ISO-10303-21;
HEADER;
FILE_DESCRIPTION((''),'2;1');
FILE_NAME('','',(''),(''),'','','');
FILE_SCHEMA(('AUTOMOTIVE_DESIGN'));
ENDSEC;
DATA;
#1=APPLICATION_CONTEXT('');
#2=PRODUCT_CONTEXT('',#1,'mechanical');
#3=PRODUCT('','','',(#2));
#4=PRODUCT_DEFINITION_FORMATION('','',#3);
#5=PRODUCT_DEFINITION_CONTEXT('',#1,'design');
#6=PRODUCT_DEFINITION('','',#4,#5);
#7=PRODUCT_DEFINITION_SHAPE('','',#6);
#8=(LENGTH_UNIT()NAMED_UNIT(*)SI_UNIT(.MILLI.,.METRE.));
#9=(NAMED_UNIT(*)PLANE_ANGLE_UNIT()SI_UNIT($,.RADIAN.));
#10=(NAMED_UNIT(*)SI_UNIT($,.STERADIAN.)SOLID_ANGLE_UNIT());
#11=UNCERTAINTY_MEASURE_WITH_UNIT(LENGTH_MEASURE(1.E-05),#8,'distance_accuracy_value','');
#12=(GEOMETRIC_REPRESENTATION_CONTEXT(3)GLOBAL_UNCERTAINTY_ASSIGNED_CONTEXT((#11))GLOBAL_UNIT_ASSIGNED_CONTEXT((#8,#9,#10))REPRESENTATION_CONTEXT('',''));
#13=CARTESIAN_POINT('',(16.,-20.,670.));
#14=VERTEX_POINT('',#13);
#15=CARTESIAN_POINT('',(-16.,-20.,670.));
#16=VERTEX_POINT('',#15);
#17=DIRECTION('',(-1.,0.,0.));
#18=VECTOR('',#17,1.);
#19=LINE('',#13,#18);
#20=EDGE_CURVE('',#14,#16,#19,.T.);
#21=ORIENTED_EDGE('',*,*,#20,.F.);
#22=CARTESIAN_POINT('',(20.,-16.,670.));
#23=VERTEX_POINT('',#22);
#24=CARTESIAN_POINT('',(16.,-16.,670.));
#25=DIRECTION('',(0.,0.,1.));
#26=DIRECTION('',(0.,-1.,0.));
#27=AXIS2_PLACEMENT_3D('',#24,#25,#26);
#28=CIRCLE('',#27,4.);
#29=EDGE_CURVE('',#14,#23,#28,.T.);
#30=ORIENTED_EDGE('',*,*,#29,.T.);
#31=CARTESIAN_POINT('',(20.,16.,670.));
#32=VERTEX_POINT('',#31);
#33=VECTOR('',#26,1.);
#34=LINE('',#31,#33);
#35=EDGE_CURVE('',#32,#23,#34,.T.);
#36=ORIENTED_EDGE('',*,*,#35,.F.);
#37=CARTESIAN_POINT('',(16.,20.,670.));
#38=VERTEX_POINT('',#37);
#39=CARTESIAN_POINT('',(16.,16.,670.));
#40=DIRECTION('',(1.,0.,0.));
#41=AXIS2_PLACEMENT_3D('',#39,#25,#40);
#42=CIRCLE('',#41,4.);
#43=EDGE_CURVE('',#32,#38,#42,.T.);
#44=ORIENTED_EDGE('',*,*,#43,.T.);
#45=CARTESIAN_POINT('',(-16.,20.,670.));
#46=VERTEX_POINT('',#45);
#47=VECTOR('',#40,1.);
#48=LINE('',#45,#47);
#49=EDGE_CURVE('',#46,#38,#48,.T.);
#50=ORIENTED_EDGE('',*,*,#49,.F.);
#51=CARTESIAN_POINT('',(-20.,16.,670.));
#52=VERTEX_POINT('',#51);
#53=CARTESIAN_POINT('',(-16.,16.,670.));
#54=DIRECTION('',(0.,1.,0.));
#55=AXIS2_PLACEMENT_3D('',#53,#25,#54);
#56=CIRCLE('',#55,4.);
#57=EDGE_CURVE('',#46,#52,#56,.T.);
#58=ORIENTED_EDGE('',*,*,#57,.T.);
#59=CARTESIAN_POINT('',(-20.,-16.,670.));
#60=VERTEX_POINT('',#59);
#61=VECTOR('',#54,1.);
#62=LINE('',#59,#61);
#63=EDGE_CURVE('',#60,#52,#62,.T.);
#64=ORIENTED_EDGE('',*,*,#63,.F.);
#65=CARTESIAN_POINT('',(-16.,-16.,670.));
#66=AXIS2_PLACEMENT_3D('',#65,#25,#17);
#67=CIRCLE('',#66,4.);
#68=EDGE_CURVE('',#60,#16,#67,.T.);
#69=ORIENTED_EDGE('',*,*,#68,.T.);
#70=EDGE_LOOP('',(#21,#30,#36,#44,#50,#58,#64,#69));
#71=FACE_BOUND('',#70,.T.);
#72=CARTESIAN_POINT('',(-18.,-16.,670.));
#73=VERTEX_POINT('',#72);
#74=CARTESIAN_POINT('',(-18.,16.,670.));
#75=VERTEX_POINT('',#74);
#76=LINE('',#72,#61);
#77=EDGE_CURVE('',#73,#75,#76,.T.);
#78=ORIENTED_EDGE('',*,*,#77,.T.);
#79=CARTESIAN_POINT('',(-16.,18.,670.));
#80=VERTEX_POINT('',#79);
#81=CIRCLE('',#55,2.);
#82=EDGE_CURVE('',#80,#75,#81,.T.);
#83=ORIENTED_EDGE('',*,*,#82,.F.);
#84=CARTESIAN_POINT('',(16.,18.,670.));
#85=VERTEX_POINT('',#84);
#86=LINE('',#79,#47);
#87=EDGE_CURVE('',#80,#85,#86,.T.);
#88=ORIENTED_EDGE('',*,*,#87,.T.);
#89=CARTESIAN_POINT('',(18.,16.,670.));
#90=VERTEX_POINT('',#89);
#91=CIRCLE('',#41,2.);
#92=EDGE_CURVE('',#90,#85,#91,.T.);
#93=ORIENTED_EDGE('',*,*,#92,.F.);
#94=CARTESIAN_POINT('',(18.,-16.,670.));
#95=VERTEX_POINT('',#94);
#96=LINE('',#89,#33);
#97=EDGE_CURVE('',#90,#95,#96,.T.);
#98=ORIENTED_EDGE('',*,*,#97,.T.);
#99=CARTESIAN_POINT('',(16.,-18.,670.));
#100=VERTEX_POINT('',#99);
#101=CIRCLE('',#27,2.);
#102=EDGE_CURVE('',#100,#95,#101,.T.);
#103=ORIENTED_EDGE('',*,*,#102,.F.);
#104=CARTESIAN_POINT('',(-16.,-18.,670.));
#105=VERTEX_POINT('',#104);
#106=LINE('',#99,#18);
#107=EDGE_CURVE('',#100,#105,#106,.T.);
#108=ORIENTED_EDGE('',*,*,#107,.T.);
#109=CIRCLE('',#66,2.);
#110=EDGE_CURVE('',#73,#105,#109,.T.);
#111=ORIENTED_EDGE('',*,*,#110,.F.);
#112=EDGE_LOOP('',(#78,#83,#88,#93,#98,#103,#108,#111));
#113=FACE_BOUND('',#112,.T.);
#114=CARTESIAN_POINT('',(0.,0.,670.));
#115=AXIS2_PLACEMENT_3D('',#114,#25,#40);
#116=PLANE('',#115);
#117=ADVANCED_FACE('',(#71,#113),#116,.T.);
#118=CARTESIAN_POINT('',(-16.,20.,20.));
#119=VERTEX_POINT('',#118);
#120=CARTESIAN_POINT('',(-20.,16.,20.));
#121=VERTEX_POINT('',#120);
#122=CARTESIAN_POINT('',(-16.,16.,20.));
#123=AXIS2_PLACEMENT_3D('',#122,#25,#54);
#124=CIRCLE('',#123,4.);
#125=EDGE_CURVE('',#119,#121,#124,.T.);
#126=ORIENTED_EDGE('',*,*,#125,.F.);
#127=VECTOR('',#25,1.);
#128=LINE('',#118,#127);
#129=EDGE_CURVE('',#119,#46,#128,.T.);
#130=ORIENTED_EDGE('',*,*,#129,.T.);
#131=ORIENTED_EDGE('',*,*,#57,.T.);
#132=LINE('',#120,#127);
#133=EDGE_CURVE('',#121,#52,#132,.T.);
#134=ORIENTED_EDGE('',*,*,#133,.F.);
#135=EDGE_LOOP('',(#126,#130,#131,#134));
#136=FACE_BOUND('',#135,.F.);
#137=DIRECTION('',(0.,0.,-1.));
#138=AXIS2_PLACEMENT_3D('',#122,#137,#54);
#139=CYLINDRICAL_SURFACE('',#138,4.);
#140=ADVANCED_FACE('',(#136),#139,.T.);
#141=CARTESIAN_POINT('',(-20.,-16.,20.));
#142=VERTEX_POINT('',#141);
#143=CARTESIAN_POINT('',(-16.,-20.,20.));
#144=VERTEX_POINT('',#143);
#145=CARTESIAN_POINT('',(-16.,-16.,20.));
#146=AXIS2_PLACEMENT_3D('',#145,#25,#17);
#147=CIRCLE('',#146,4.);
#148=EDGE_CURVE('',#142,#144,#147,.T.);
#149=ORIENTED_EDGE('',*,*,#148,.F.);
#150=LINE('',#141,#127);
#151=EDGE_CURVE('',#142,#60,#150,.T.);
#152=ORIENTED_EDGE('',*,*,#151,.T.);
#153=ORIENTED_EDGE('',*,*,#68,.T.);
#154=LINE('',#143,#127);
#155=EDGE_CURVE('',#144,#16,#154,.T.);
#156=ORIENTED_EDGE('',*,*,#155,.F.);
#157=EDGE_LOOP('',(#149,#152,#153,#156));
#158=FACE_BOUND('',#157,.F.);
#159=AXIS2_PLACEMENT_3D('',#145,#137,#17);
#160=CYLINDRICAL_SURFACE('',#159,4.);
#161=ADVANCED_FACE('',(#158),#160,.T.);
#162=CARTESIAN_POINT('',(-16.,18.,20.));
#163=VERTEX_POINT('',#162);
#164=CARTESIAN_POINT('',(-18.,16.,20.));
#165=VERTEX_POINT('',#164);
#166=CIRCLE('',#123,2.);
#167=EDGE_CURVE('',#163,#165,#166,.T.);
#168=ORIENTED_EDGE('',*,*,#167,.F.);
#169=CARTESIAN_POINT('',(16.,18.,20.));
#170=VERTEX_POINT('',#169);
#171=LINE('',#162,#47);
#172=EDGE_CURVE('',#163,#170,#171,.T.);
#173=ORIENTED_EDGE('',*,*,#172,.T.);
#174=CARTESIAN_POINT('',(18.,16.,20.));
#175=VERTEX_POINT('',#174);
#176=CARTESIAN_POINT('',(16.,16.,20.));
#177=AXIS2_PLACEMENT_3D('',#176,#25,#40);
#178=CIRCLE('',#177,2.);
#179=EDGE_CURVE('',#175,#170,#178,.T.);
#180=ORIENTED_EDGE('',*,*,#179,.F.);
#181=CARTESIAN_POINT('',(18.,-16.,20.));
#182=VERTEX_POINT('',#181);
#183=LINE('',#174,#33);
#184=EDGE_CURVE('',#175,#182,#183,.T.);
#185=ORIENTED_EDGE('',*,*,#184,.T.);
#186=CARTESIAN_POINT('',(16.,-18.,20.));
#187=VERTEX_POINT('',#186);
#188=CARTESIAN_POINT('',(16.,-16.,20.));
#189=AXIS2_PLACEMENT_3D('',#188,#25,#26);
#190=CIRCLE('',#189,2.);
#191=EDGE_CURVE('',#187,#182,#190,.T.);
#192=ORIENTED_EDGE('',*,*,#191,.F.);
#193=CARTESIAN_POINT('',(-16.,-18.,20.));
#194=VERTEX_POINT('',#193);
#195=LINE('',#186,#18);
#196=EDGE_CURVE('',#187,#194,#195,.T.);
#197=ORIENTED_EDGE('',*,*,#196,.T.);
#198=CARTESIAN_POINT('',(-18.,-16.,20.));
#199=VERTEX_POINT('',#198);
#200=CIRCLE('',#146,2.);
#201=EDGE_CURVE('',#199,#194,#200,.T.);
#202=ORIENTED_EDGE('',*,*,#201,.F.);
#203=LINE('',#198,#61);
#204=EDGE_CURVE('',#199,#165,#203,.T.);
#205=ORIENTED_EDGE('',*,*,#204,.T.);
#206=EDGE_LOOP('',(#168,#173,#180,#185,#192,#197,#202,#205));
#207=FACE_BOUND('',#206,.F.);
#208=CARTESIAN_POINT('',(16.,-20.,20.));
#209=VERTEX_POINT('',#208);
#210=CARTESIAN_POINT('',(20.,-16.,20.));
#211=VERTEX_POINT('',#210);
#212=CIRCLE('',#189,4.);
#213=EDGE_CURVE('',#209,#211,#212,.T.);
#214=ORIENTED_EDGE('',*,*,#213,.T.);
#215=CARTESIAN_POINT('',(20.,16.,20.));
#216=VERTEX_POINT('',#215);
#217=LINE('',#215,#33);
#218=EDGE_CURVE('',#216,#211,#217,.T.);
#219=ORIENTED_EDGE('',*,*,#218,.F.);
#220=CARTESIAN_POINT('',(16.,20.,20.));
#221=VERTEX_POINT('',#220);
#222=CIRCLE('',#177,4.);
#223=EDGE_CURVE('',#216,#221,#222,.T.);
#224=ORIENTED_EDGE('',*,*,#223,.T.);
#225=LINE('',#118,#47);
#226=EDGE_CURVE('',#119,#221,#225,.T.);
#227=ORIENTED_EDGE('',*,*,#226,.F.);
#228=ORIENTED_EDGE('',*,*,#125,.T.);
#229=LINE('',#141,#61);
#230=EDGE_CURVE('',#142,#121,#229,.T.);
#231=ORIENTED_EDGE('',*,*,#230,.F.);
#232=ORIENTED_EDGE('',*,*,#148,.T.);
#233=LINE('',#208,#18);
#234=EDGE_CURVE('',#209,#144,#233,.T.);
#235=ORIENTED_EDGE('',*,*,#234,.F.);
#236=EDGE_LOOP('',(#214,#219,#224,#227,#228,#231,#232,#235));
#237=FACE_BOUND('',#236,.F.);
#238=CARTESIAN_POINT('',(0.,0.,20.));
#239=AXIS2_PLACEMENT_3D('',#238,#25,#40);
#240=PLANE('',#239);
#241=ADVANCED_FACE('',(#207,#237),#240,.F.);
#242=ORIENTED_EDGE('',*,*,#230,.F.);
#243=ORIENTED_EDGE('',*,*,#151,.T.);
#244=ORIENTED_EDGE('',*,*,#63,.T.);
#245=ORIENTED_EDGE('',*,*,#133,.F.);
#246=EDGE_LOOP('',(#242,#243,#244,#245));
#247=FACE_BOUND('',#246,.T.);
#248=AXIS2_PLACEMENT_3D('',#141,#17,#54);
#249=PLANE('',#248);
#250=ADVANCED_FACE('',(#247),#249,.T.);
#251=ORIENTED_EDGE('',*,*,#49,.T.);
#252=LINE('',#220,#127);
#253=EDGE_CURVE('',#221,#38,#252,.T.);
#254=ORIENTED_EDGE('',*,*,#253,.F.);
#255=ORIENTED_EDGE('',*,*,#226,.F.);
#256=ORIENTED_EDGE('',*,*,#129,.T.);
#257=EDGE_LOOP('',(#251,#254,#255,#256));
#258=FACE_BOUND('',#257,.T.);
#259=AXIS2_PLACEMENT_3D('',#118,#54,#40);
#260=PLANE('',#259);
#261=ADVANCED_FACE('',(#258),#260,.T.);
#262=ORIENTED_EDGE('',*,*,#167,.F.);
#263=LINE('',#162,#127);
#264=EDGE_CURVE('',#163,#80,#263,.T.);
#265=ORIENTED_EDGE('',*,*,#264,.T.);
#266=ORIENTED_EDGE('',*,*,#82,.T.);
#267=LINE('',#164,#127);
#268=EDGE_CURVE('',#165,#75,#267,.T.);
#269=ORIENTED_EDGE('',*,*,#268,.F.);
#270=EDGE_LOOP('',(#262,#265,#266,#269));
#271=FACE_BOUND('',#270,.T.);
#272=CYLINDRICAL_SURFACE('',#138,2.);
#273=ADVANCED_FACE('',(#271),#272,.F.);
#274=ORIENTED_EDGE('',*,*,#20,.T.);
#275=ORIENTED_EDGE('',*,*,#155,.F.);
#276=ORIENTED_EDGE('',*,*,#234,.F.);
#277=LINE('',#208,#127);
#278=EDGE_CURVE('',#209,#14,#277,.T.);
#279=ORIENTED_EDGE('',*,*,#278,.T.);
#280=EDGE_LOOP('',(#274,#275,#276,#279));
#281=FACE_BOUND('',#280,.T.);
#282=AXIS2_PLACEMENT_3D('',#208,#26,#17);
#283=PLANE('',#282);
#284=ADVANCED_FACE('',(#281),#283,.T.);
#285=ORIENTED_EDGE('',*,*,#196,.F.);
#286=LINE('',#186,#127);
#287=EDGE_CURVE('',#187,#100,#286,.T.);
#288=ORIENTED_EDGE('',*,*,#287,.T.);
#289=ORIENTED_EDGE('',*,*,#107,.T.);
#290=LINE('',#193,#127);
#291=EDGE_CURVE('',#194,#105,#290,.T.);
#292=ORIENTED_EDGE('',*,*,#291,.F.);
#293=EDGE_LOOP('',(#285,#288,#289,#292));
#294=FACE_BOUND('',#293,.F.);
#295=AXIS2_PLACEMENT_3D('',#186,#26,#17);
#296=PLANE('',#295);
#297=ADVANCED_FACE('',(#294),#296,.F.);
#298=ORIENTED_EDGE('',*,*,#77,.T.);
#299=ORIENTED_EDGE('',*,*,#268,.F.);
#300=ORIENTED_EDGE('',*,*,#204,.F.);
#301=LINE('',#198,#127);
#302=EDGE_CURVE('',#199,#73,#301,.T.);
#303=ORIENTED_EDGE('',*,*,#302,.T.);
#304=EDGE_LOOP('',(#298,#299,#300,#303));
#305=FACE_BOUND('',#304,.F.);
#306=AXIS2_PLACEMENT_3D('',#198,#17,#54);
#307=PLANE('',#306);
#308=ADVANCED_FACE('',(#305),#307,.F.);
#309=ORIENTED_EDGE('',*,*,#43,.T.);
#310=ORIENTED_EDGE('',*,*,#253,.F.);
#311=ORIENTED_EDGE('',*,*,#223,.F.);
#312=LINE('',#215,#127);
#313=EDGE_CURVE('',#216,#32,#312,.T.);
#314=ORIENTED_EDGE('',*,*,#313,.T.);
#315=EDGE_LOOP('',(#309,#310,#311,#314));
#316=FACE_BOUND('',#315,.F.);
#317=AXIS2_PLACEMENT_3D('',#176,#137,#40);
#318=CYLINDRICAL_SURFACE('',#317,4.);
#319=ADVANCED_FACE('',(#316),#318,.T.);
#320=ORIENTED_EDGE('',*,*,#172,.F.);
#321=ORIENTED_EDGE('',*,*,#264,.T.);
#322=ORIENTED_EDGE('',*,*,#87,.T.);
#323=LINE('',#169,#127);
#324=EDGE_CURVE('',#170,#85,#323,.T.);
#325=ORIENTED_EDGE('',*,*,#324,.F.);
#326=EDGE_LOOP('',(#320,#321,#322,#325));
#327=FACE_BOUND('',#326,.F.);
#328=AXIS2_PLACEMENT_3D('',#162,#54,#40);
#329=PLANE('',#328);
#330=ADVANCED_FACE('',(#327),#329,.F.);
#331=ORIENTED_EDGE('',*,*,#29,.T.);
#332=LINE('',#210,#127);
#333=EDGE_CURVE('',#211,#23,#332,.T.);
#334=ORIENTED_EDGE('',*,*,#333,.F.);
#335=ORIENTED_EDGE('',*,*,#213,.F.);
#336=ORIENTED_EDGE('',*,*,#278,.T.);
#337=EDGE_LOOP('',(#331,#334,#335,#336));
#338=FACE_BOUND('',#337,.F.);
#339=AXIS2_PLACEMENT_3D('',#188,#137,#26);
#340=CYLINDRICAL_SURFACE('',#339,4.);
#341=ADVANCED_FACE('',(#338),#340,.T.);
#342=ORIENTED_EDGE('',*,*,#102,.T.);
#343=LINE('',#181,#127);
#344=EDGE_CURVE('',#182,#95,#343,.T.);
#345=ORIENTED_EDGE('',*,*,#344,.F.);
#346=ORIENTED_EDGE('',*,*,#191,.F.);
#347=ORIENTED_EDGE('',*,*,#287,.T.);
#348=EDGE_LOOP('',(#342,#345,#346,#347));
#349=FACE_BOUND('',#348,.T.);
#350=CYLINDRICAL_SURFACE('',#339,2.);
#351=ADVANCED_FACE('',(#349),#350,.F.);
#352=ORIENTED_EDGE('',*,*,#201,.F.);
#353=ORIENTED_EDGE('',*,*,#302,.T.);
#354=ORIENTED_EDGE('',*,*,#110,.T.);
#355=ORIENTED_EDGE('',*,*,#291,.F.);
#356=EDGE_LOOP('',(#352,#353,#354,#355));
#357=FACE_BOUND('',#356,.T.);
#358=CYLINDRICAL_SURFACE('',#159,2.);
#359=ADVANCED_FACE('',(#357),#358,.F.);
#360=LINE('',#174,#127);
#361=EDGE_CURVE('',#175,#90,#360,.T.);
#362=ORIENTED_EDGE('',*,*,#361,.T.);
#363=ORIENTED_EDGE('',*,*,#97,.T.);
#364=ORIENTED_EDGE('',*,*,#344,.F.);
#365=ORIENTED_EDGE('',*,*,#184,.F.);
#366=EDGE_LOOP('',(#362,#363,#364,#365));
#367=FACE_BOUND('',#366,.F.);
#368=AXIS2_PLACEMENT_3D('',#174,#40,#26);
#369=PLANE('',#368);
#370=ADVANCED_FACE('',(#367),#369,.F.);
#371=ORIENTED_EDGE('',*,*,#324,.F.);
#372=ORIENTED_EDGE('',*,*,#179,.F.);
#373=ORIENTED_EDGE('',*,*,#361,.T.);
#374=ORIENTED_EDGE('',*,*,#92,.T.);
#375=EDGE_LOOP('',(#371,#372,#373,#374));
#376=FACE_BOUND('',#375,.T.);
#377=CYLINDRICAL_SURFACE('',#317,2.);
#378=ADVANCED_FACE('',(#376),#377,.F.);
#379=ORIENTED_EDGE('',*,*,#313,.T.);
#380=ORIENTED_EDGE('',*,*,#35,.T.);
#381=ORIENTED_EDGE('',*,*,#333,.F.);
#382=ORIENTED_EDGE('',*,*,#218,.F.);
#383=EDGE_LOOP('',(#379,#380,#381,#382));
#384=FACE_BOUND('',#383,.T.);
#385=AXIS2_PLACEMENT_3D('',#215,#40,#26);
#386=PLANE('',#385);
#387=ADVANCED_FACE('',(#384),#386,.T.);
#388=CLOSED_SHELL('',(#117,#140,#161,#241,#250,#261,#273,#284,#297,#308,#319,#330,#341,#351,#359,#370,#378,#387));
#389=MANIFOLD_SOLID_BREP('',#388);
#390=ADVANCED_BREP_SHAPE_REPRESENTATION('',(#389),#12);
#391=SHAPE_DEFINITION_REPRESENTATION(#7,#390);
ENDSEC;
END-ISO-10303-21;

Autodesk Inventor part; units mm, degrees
ref_plane "YZ Plane" through (0, 0, 0) normal (1, 0, 0) x (0, 1, 0)
ref_plane "Start Plane" through (0, 0, 20) normal (0, 0, 1) x (1, 0, 0)
ref_plane "End Plane" through (0, 0, 670) normal (0, 0, 1) x (1, 0, 0)
sketch "Sketch" plane through (0, 0, 0) normal (0, 0, 1) x (1, 0, 0)
  line L0 (-20, -16) -> (-20, 16)
  line L1 (-16, 20) -> (16, 20)
  line L2 (20, 16) -> (20, -16)
  line L3 (16, -20) -> (-16, -20)
  arc A0 (-20, -16) -> (-16, -20) centre (-16, -16) ccw
  arc A1 (20, 16) -> (16, 20) centre (16, 16) ccw
  arc A2 (-16, 20) -> (-20, 16) centre (-16, 16) ccw
  arc A3 (16, -20) -> (20, -16) centre (16, -16) ccw
  arc A4 (-16, 18) -> (-18, 16) centre (-16, 16) ccw
  line L4 (-16, 18) -> (16, 18)
  arc A5 (18, 16) -> (16, 18) centre (16, 16) ccw
  line L5 (18, 16) -> (18, -16)
  arc A6 (16, -18) -> (18, -16) centre (16, -16) ccw
  line L6 (16, -18) -> (-16, -18)
  arc A7 (-18, -16) -> (-16, -18) centre (-16, -16) ccw
  line L7 (-18, -16) -> (-18, 16)
  line L8 (0, 29.1598) -> (0, -29.1598) construction
  line L9 (-29.1598, 0) -> (29.1598, 0) construction
  dimension "d7" = 4
  dimension "d9" = 40
  dimension "d11" = 40
  dimension "d12" = 2
  dimension "d15" = 20
  dimension "d16" = 20
extrude "Body" add sketch "Sketch" along normal up to surface (650 mm away) from surface at 20
sketch "Sketch3" plane through (0, 0, 0) normal (0, 0, 1) x (1, 0, 0)
  line L0 (0, 0) -> (10, 0)
ref_plane "Work Plane3" through (0, 0, 0) normal (0, -1, 0) x (1, 0, 0)
sketch "Sketch4" plane through (0, 0, 0) normal (0, -1, 0) x (1, 0, 0)
  line L0 (-2, 20) -> (12, 20) projected
  line L1 (-2, 670) -> (12, 670) projected
  dimension "d18" = 650
equation "\"d7\" = G_IR"
equation "\"d9\" = G_W"
equation "\"d11\" = G_H"
equation "\"d12\" = G_T"
equation "\"d15\" = 0.5 * d9"
equation "\"d16\" = 0.5 * d11"
equation "\"d3\" = G_L"
equation "\"G_W\" = 40"
equation "\"G_H\" = 40"
equation "\"G_T\" = 2"
equation "\"G_IR\" = 4"
equation "\"G_L\" = d18"
properties part number "ISO 4019 - 40x40x2 - 650" material "Steel, Mild"
